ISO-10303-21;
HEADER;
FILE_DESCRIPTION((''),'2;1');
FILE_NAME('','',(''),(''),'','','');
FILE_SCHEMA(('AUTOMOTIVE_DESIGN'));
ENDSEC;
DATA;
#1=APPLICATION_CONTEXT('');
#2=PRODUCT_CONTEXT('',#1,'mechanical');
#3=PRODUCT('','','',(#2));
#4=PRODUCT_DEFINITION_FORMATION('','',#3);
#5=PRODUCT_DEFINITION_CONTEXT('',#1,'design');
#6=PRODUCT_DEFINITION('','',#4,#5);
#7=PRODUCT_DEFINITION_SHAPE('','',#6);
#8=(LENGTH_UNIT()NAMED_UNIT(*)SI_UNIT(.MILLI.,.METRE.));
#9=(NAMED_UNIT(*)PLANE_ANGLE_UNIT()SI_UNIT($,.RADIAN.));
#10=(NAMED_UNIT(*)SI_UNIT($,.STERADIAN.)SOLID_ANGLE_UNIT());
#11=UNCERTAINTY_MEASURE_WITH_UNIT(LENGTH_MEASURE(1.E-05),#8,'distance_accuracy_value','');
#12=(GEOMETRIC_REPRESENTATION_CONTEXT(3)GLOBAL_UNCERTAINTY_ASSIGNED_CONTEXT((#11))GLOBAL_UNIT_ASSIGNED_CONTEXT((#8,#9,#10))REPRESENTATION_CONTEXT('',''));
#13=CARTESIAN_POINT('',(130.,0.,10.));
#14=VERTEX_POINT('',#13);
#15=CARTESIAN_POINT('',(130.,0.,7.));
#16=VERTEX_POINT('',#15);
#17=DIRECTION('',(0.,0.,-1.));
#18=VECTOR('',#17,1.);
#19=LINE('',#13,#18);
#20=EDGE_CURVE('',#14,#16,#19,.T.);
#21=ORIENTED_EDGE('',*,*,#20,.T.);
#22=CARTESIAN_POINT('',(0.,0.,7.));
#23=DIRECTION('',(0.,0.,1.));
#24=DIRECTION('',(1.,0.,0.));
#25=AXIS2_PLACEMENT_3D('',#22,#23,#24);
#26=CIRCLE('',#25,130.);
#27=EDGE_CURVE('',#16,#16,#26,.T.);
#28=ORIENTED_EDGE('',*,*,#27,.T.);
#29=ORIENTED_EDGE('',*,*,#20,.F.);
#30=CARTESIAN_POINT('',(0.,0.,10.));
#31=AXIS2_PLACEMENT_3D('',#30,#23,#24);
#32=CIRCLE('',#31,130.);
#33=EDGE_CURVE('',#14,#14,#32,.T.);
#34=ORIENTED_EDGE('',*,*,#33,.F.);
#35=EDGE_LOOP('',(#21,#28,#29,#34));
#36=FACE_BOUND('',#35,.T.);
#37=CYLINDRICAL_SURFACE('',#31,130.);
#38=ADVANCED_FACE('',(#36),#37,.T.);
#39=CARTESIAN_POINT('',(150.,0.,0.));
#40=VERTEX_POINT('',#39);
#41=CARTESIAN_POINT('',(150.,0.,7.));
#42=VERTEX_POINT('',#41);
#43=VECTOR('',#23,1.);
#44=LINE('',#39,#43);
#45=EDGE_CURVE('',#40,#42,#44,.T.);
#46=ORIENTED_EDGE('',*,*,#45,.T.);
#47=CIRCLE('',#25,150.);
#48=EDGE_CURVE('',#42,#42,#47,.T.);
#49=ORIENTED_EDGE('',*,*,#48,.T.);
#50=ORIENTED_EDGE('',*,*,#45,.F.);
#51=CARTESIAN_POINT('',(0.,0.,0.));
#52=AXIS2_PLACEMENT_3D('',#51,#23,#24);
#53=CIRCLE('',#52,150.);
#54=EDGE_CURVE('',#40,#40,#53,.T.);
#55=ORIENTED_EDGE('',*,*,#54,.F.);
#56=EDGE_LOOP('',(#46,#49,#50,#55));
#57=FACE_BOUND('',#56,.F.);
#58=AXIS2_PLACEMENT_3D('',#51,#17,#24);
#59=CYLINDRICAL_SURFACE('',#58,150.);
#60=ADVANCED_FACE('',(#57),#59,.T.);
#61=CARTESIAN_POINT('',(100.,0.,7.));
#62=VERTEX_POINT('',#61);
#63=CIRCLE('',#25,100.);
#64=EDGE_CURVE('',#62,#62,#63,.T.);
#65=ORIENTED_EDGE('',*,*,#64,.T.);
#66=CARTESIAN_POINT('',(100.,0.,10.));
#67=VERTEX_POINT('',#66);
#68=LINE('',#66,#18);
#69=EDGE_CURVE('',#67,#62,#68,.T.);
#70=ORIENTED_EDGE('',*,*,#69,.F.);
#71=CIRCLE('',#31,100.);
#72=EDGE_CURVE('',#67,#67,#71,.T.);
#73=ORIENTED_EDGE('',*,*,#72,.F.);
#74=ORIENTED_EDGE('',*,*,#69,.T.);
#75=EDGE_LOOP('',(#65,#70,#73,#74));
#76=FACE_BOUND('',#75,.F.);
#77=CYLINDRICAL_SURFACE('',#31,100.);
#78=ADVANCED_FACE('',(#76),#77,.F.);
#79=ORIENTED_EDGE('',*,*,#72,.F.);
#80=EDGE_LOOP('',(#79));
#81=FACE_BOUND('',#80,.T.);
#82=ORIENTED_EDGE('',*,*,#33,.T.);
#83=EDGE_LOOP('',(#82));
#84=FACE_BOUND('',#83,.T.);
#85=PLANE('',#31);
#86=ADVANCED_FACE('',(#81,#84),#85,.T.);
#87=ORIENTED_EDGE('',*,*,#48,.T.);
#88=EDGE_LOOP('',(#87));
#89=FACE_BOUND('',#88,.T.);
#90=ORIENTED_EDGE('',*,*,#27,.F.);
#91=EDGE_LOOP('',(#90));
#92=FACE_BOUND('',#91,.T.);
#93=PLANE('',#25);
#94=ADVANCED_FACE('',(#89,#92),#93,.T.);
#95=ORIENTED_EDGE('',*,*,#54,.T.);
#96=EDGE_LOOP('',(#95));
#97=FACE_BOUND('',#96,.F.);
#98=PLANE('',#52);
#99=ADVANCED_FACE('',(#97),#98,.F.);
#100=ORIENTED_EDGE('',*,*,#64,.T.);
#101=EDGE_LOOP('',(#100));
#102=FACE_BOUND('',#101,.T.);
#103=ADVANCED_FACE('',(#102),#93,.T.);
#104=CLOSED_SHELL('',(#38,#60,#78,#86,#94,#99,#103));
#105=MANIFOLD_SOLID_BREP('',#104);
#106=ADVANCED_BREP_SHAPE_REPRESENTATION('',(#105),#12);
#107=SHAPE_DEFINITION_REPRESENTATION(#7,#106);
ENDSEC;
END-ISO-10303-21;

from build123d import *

# Parameters (mm, degrees)
F0_R     = 150
F1_DEPTH = 10
F2_R     = 150
F2_R_2   = 130
F2_R_3   = 100
F3_DEPTH = 3


with BuildPart() as f1:
    # F0 (on Top) → F1 (new body)
    with BuildSketch(Plane.XY):
        Circle(F0_R)
    extrude(amount=F1_DEPTH)

    # F2 (on face) → F3 (cut)
    with BuildSketch(Plane.XY.offset(10)):
        Circle(F2_R)
        Circle(F2_R_2, mode=Mode.SUBTRACT)
        Circle(F2_R_3)
    extrude(amount=-F3_DEPTH, mode=Mode.SUBTRACT)


solid = f1.part
